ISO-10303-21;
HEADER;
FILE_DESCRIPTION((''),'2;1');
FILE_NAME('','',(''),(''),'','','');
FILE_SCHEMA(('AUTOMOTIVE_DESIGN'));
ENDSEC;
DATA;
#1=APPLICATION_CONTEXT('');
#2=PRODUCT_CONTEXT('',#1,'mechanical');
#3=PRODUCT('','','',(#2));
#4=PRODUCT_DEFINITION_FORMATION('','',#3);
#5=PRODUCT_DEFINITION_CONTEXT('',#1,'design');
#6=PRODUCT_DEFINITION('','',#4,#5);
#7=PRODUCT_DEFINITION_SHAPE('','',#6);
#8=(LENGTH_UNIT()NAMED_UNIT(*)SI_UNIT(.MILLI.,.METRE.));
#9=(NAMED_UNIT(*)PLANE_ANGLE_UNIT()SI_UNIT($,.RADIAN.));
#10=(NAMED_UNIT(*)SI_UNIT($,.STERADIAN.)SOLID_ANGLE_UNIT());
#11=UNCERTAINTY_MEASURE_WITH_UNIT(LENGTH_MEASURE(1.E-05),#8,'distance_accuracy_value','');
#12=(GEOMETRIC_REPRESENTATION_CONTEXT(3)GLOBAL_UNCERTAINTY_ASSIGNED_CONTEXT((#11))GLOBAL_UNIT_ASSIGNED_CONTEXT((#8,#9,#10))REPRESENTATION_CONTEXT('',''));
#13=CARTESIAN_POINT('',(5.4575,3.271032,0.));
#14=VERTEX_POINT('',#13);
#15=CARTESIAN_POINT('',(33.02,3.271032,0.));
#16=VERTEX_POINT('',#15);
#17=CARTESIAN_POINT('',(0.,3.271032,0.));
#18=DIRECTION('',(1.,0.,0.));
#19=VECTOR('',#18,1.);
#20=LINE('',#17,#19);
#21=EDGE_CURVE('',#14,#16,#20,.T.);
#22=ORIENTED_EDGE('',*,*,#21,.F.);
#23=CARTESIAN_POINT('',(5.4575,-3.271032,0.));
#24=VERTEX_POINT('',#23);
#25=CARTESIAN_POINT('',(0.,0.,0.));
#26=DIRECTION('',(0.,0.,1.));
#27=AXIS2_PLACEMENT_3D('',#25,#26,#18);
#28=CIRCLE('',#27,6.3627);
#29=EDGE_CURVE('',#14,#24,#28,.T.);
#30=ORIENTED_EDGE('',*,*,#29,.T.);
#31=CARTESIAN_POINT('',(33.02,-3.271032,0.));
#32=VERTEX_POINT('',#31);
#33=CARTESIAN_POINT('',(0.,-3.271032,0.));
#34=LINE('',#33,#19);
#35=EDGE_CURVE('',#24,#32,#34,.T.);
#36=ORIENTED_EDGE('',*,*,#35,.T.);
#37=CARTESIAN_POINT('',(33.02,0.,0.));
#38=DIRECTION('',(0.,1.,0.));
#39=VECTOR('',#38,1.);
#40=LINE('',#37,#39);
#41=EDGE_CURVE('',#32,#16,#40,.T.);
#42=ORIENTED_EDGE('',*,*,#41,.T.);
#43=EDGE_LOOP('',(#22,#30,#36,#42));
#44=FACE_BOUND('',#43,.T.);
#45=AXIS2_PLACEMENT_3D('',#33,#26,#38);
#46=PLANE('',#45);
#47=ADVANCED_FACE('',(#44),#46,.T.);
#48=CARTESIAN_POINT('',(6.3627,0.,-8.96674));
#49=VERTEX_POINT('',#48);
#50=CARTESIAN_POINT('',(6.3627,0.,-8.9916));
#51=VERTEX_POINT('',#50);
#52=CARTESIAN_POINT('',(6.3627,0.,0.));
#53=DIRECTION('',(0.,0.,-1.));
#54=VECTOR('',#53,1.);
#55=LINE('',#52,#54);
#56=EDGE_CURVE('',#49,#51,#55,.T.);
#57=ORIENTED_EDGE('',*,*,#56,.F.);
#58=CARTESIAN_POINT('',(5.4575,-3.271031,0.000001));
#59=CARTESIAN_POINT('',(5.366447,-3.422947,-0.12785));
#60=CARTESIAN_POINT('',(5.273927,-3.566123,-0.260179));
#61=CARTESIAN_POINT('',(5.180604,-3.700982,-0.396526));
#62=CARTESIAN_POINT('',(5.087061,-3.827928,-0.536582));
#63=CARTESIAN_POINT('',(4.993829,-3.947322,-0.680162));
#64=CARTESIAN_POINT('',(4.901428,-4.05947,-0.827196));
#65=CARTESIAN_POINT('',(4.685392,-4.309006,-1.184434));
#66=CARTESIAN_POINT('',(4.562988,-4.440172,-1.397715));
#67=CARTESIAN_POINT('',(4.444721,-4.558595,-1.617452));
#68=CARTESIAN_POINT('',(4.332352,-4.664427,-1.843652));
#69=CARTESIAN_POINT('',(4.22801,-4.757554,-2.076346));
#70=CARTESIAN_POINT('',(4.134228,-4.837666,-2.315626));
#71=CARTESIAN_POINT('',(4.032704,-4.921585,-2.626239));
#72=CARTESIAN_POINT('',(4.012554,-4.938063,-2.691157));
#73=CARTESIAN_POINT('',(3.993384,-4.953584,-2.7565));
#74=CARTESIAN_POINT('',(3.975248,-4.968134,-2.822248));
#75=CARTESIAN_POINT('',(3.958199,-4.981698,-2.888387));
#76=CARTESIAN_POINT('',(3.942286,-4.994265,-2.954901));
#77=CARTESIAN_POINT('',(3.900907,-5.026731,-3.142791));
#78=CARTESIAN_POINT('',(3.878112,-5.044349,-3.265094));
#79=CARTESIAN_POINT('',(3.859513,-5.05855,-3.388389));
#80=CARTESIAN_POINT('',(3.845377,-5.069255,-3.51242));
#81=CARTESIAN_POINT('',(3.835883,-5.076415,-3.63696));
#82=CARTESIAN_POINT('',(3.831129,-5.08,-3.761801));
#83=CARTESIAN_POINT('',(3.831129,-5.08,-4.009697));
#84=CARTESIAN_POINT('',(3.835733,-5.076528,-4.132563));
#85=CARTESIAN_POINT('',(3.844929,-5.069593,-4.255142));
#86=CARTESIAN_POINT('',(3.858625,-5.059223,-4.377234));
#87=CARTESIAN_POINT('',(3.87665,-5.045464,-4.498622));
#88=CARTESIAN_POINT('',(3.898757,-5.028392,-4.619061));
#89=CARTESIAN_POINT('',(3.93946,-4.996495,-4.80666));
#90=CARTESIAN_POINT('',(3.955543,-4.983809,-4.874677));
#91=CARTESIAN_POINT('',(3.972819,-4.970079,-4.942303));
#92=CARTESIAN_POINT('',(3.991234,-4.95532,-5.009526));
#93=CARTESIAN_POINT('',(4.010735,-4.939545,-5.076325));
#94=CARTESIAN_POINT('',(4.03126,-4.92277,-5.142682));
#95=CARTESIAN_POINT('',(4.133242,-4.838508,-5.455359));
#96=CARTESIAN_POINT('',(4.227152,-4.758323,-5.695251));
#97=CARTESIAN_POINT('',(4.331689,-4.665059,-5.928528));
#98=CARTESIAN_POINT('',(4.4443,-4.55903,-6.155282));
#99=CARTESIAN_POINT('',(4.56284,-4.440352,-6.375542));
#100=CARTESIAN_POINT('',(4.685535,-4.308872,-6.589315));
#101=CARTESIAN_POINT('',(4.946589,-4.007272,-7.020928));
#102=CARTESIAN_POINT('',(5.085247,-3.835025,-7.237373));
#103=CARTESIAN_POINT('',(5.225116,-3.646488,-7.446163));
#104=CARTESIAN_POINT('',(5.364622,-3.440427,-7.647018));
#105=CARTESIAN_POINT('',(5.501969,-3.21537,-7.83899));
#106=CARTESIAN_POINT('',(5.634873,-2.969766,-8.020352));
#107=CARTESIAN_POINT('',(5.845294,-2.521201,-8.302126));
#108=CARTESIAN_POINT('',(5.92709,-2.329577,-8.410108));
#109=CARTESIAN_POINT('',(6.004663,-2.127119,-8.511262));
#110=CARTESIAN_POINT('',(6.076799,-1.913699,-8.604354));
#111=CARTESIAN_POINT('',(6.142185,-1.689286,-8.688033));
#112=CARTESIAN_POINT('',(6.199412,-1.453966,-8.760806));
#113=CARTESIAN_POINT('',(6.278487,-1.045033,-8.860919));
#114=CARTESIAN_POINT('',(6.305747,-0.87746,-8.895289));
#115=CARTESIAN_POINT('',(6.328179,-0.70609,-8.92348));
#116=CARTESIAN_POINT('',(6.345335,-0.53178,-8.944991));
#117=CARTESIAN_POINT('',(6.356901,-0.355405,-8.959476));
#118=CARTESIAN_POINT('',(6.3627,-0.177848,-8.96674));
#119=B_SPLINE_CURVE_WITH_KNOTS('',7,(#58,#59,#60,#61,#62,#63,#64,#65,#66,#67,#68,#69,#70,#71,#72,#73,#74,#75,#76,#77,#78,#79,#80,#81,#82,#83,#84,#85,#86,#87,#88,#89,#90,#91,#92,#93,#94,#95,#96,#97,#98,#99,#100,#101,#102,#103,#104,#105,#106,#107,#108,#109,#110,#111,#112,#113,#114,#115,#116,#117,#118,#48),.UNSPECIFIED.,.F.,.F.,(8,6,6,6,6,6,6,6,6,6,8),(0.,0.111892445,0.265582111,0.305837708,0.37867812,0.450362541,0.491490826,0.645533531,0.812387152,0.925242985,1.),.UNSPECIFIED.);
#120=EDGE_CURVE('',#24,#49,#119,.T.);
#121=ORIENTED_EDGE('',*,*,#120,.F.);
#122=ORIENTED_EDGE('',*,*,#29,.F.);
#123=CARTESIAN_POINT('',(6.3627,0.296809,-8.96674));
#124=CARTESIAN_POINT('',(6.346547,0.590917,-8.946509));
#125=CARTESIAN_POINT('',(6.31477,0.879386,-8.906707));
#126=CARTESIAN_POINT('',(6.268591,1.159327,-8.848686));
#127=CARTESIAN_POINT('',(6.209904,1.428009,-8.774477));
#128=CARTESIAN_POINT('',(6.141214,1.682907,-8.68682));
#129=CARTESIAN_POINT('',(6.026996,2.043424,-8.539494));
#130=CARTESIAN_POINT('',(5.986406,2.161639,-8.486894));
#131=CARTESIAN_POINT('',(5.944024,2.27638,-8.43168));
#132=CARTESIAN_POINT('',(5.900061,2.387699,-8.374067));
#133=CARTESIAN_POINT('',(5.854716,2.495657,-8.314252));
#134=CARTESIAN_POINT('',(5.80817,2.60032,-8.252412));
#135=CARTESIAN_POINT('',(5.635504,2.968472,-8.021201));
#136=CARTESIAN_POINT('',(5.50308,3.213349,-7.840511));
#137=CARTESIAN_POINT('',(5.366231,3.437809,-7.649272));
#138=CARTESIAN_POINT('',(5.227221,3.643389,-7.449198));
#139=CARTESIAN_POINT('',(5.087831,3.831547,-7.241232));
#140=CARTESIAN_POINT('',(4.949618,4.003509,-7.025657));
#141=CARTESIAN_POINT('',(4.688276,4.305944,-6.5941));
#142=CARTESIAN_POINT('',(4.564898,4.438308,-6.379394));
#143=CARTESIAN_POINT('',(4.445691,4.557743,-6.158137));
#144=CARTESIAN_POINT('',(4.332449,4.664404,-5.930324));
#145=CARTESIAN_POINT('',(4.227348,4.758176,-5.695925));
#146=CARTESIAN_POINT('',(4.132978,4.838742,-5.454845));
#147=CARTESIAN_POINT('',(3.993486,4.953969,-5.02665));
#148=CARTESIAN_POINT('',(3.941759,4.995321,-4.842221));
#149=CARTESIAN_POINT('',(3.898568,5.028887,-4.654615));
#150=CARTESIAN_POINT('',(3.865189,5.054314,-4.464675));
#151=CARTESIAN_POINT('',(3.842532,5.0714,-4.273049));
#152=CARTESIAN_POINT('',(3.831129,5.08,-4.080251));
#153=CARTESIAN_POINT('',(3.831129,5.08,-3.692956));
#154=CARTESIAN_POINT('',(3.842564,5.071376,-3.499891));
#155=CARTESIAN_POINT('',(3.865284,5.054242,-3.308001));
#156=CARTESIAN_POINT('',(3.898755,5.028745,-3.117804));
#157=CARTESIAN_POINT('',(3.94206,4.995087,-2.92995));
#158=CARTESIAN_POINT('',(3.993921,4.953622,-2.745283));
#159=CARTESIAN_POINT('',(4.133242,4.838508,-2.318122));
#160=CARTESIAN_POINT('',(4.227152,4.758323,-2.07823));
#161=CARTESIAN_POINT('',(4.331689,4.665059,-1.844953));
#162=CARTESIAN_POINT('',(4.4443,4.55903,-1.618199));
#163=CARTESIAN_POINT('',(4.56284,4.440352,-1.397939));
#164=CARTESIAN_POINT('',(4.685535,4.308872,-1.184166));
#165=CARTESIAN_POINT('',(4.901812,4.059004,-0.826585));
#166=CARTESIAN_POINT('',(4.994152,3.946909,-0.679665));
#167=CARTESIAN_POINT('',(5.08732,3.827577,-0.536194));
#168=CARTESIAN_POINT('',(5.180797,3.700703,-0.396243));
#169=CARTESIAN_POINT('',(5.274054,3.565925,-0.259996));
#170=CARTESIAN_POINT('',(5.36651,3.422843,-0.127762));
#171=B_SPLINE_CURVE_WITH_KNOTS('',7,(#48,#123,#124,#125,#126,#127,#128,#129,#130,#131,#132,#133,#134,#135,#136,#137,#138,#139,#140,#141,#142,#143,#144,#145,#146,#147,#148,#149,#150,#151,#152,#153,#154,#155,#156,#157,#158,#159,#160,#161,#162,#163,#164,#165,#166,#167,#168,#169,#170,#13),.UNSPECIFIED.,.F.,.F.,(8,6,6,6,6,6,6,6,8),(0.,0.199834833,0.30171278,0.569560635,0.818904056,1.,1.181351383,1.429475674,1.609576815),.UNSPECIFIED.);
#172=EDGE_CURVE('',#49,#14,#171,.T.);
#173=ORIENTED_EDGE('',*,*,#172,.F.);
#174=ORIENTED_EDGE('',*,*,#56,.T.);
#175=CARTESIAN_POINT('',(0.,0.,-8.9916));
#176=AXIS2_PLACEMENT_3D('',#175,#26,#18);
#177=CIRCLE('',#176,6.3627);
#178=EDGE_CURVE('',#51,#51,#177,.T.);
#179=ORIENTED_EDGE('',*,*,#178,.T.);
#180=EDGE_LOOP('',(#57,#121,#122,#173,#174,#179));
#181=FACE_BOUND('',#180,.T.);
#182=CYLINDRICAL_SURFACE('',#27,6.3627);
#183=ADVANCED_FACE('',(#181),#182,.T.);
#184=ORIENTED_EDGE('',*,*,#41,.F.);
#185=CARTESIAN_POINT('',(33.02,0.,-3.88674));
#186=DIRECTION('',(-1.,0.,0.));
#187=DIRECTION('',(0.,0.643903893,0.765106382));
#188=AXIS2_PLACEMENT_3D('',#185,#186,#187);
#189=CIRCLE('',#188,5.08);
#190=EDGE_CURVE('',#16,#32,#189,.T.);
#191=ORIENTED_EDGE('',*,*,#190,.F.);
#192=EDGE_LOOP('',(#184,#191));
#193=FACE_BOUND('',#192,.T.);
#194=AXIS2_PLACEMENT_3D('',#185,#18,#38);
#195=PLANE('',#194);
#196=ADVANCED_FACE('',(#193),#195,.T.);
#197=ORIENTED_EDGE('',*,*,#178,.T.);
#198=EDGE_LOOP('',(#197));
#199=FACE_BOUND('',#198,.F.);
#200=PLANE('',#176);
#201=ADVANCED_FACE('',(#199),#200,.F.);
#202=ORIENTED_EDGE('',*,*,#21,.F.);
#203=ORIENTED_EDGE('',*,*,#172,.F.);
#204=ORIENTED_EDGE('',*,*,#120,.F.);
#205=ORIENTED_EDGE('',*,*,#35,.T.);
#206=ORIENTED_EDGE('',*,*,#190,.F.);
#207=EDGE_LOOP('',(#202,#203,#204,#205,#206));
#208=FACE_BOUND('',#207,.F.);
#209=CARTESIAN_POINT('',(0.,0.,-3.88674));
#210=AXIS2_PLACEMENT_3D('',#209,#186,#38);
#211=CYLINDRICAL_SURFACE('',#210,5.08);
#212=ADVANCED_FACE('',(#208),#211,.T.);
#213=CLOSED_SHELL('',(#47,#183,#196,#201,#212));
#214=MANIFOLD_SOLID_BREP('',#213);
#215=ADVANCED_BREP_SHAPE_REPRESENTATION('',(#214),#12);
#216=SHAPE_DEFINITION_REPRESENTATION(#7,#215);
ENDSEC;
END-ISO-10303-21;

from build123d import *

# Parameters (mm, degrees)
F0_R     = 6.3627
F1_DEPTH = 8.9916
F2_R     = 5.08
F3_DEPTH = 33.02
F4_DEPTH = 33.02


with BuildPart() as f1:
    # F0 (on Top) → F1 (new body)
    with BuildSketch(Plane.XY):
        Circle(F0_R)
    extrude(amount=-F1_DEPTH)

    # F2 (on Right) → F3 (join)
    with BuildSketch(Plane.YZ):
        with Locations((0, -3.8867404219)):
            Circle(F2_R)
    extrude(amount=F3_DEPTH)

    # F4 (cut, through all): a face of the model
    f4_faces = [f1.faces().sort_by_distance(p)[0] for p in [
        (0, 0, 0.4824606672),
    ]]
    extrude(f4_faces, amount=-F4_DEPTH, mode=Mode.SUBTRACT)


solid = f1.part
